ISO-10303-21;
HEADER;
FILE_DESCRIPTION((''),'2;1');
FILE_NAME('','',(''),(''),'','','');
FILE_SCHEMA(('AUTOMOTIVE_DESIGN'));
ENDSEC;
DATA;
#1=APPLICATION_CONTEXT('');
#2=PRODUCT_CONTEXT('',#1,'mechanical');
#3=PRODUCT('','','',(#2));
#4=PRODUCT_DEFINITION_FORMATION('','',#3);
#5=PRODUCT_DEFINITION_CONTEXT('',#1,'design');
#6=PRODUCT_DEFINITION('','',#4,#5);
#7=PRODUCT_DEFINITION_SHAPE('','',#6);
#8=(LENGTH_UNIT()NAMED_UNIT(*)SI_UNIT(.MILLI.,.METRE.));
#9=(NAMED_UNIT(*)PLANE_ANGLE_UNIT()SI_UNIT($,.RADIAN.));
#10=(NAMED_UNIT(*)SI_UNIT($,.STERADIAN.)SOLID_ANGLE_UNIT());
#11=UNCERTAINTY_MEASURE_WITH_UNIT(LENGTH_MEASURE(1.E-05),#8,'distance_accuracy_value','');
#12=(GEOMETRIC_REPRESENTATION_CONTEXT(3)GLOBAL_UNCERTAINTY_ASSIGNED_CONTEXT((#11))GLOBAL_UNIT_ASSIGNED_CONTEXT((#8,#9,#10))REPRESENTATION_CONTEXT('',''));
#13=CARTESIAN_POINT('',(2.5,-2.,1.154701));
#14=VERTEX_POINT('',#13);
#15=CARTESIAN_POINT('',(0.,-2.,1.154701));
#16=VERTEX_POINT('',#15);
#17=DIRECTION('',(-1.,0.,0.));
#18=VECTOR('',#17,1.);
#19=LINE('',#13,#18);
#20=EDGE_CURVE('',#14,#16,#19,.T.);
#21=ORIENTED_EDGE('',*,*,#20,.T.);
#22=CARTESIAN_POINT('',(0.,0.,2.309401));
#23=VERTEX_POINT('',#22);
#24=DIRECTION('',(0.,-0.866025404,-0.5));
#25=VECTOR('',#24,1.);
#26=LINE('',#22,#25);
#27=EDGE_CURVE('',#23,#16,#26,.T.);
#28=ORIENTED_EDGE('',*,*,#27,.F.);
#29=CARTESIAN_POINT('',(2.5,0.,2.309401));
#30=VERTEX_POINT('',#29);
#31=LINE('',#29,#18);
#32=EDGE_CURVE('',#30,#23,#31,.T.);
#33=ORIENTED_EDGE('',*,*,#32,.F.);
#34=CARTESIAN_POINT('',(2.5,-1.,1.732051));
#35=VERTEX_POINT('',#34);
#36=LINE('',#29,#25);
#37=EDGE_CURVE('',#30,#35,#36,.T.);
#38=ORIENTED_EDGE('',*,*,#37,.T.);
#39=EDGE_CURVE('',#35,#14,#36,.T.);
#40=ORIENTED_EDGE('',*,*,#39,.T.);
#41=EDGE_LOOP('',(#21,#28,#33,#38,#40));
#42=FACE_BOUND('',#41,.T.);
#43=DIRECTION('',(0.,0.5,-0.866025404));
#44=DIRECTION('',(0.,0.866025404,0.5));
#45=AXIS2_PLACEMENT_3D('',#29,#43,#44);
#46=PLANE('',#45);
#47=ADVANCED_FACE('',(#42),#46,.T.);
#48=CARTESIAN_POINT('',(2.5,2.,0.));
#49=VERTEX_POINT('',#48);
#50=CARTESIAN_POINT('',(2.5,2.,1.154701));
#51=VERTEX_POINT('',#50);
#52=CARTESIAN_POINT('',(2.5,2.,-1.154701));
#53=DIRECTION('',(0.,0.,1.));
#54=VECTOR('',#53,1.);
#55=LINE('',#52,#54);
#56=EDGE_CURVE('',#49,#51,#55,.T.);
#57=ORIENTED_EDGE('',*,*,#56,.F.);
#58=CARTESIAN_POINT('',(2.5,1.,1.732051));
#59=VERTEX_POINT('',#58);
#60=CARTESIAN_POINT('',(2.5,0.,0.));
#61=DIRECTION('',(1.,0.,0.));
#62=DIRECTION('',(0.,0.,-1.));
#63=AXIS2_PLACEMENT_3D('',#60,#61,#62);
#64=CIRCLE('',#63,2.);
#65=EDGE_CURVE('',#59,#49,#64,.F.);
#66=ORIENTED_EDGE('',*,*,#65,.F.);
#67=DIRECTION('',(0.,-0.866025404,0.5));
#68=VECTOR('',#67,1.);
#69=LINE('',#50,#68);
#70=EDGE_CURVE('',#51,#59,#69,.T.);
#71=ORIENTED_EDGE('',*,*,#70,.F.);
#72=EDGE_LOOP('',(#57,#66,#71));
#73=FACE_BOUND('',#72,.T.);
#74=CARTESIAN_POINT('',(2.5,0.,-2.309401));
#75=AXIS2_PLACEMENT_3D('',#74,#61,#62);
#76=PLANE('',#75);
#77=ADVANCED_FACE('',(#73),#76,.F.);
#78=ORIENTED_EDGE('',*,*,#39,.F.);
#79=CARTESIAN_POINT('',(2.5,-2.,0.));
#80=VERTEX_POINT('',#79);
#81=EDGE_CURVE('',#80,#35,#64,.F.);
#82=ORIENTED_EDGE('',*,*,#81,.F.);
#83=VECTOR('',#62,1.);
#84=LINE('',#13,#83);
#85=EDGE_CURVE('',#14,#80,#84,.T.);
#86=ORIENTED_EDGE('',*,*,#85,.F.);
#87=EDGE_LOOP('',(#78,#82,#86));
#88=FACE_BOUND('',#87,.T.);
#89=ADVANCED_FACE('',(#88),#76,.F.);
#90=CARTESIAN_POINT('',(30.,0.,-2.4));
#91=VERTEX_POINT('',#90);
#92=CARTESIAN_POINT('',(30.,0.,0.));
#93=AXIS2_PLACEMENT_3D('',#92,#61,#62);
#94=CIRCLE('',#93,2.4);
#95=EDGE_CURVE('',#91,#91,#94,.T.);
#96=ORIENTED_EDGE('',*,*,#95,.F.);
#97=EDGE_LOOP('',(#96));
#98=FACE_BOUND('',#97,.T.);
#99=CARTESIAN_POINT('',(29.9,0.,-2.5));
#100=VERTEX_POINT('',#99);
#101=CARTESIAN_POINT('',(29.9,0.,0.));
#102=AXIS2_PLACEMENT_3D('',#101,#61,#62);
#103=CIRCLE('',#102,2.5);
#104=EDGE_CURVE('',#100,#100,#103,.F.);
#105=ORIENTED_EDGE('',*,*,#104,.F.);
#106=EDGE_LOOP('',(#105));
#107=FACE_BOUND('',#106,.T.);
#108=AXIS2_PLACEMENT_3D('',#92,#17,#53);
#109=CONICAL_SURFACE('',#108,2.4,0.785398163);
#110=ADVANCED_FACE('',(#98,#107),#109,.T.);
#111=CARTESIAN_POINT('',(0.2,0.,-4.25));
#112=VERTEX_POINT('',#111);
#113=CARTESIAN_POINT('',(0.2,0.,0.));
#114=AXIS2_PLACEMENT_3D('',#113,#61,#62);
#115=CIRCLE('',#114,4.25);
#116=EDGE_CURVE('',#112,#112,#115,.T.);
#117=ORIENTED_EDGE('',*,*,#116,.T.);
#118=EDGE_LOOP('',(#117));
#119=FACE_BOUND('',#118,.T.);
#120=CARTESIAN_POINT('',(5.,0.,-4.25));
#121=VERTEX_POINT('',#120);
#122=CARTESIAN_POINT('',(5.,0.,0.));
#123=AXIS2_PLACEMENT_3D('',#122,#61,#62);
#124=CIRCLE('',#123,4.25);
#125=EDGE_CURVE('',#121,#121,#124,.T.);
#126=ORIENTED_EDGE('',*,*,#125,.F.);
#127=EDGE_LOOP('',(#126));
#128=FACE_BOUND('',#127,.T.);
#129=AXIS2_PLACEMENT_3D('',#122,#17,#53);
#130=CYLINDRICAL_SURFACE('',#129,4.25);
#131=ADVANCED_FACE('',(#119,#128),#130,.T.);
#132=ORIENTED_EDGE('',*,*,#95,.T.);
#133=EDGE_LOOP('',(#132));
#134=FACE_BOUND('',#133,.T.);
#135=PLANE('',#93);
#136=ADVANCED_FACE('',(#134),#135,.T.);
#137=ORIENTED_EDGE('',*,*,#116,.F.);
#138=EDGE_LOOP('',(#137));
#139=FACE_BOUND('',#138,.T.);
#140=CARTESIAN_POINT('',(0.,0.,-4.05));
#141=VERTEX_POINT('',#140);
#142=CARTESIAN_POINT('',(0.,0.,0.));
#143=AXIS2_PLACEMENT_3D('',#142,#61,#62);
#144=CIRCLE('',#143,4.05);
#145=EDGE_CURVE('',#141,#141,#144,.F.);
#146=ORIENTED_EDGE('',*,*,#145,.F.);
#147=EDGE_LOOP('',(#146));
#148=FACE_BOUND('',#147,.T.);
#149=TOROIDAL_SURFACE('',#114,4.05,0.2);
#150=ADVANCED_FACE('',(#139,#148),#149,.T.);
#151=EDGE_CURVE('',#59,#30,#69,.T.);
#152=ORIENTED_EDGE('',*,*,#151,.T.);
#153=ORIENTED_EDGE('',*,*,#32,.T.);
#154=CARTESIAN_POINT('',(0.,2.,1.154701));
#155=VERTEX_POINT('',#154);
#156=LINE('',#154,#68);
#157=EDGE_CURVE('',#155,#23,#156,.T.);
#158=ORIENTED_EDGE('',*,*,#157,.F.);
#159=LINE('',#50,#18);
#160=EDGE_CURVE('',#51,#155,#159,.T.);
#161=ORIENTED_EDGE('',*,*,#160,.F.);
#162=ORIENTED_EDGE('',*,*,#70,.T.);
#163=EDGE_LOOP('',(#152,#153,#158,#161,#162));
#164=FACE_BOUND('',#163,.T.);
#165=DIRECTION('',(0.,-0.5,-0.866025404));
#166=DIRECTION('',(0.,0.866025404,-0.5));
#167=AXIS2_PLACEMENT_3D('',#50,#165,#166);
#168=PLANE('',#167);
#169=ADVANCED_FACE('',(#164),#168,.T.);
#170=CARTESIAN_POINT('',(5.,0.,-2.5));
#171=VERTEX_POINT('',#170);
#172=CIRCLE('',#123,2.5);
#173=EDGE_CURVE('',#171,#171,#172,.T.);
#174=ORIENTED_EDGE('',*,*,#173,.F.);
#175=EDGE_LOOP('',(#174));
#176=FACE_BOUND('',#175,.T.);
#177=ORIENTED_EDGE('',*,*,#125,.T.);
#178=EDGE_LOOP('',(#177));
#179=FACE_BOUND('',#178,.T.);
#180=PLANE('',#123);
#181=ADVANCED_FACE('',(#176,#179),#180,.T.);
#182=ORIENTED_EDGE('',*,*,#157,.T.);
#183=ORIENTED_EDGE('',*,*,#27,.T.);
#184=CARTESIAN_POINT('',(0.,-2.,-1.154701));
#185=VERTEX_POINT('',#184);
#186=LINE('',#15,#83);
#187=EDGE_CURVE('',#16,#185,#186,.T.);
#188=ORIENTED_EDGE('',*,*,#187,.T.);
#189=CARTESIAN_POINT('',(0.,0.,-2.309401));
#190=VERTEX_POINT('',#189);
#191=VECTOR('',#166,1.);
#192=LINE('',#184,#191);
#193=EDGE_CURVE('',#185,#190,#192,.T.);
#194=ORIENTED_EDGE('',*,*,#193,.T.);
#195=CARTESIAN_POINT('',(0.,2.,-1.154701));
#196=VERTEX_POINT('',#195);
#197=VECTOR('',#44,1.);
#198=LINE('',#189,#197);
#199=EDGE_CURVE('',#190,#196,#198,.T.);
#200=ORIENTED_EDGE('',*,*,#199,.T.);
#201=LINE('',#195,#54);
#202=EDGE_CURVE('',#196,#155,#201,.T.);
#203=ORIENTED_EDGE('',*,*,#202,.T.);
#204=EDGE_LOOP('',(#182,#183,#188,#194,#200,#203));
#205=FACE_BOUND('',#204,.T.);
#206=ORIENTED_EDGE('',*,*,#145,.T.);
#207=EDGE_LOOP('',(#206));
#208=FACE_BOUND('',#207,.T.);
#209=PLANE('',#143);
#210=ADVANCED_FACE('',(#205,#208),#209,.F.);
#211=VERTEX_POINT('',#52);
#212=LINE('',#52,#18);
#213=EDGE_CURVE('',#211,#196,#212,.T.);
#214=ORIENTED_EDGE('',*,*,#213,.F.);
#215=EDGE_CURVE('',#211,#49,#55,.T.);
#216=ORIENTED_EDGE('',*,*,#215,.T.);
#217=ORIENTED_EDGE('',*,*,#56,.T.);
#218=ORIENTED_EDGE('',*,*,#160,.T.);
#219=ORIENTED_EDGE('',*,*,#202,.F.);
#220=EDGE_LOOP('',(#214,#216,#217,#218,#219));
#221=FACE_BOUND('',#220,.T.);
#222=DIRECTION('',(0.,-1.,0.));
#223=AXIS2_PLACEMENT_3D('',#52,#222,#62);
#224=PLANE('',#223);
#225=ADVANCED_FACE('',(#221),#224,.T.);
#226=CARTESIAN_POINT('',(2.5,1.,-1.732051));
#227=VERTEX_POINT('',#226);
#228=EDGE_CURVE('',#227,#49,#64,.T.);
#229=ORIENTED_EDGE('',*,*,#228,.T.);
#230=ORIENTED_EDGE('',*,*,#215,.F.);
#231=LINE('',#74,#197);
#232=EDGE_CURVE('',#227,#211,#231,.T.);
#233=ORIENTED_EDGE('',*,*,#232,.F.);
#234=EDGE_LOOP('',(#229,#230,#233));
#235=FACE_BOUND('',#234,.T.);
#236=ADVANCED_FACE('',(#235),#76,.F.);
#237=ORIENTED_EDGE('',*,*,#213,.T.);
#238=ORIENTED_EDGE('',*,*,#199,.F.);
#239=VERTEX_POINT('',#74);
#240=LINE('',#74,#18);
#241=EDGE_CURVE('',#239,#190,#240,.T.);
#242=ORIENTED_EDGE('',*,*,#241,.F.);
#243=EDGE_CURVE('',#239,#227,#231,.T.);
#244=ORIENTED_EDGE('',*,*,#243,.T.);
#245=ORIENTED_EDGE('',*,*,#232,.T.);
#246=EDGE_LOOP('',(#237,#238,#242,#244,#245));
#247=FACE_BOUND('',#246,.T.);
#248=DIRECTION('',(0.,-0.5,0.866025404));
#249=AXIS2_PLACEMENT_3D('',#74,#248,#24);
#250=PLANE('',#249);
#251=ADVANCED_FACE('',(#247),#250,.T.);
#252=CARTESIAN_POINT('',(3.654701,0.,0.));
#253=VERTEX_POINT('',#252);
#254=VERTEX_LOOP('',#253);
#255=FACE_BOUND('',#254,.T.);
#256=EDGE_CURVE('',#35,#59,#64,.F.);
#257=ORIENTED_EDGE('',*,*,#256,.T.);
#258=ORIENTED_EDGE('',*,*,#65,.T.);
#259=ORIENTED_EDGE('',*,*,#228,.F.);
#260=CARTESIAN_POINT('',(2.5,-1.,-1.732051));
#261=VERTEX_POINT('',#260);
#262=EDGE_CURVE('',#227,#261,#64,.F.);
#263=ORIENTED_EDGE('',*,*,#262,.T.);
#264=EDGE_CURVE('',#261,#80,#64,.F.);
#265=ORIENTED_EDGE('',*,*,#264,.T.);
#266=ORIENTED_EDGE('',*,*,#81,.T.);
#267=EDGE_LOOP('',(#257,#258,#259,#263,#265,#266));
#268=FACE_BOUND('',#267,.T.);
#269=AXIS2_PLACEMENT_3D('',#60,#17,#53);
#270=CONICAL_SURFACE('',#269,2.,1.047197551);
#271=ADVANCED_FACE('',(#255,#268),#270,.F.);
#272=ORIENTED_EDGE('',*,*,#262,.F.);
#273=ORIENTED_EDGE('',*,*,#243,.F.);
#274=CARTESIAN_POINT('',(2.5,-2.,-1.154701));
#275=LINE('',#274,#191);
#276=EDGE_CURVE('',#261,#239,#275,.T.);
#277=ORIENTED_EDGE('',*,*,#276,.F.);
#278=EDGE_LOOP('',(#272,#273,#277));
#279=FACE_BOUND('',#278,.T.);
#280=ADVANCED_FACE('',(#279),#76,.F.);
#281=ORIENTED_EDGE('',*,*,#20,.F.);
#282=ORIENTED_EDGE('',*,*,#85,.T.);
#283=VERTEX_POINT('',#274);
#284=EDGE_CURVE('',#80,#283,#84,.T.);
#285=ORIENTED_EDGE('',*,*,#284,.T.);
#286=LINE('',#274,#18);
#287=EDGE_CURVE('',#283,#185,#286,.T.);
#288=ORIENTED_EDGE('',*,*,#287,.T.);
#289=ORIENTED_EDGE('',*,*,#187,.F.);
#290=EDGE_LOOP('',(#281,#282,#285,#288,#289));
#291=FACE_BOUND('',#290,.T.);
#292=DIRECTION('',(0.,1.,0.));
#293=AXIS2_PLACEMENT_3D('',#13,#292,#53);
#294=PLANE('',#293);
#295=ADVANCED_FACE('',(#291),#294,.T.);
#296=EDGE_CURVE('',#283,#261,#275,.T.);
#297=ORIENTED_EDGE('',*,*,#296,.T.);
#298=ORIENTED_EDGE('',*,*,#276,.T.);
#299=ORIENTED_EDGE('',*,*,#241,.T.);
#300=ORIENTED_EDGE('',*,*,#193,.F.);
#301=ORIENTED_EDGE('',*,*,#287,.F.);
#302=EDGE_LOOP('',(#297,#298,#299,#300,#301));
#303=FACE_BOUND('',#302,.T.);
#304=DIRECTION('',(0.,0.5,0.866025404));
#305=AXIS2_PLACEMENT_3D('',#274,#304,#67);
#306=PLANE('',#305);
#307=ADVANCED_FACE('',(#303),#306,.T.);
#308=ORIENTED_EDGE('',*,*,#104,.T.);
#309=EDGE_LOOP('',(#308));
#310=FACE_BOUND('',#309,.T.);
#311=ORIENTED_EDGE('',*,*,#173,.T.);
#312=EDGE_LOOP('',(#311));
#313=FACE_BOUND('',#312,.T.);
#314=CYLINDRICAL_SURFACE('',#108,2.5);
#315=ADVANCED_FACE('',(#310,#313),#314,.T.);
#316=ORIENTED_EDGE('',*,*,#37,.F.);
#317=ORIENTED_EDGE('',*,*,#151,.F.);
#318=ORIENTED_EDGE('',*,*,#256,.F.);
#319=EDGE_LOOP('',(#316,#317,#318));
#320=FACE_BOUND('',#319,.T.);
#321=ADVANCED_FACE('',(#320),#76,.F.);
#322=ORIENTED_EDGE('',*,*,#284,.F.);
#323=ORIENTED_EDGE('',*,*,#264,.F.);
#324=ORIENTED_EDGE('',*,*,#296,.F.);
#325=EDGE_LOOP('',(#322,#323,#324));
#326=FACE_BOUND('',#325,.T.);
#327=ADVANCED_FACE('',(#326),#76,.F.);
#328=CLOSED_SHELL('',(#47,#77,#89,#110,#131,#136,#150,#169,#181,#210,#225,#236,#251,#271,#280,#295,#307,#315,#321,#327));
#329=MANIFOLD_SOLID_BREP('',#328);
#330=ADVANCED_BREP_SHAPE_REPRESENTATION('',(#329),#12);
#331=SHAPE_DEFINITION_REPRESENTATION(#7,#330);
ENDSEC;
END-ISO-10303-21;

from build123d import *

# Parameters (mm, degrees)
SKETCH1_R           = 4.25
BASEHEAD_DEPTH      = 5
SKETCH2_R           = 2.5
BASEBODY_DEPTH      = 25
HEXAGONSOCKET_DEPTH = 2.5
TOPFILLET_R         = 0.2
CHAMFER1_SIZE       = 0.1


with BuildPart() as part:
    # Sketch1 → BaseHead (new body)
    with BuildSketch(Plane(origin=(0, 0, 0), x_dir=(0, 0, -1), z_dir=(1, 0, 0))):
        Circle(SKETCH1_R)
    extrude(amount=BASEHEAD_DEPTH)

    # Sketch2 → BaseBody (add)
    with BuildSketch(Plane(origin=(5, 0, 0), x_dir=(0, 0, -1), z_dir=(1, 0, 0))):
        Circle(SKETCH2_R)
    extrude(amount=BASEBODY_DEPTH)

    # Sketch3 → HexagonSocket (cut)
    with BuildSketch(Plane(origin=(0, 0, 0), x_dir=(0, 0, -1), z_dir=(1, 0, 0))):
        Polygon((2.309401077, 0), (1.154700538, 2), (-1.154700538, 2), (-2.309401077, 0), (-1.154700538, -2), (1.154700538, -2), align=None)
    extrude(amount=HEXAGONSOCKET_DEPTH, mode=Mode.SUBTRACT)

    # Sketch4 → Cut-Revolve1 (revolve, cut)
    with BuildSketch(Plane(origin=(-4.19613823, 0.75, 0), x_dir=(-1, 0, 0), z_dir=(0, 0, 1))):
        Polygon((-6.69613823, 2.75), (-7.850838768, 0.75), (-6.69613823, 0.75), align=None)
    revolve(axis=Axis((0.838992387, 0, 0), (-1, 0, 0)), mode=Mode.SUBTRACT)

    # TopFillet
    topfillet_edges = [part.edges().sort_by_distance(p)[0] for p in [
        (0, 0, 4.25),
    ]]
    fillet(topfillet_edges, radius=TOPFILLET_R)

    # Chamfer1
    chamfer1_edges = [part.edges().sort_by_distance(p)[0] for p in [
        (30, 0, 2.5),
    ]]
    chamfer(chamfer1_edges, length=CHAMFER1_SIZE)


solid = part.part
